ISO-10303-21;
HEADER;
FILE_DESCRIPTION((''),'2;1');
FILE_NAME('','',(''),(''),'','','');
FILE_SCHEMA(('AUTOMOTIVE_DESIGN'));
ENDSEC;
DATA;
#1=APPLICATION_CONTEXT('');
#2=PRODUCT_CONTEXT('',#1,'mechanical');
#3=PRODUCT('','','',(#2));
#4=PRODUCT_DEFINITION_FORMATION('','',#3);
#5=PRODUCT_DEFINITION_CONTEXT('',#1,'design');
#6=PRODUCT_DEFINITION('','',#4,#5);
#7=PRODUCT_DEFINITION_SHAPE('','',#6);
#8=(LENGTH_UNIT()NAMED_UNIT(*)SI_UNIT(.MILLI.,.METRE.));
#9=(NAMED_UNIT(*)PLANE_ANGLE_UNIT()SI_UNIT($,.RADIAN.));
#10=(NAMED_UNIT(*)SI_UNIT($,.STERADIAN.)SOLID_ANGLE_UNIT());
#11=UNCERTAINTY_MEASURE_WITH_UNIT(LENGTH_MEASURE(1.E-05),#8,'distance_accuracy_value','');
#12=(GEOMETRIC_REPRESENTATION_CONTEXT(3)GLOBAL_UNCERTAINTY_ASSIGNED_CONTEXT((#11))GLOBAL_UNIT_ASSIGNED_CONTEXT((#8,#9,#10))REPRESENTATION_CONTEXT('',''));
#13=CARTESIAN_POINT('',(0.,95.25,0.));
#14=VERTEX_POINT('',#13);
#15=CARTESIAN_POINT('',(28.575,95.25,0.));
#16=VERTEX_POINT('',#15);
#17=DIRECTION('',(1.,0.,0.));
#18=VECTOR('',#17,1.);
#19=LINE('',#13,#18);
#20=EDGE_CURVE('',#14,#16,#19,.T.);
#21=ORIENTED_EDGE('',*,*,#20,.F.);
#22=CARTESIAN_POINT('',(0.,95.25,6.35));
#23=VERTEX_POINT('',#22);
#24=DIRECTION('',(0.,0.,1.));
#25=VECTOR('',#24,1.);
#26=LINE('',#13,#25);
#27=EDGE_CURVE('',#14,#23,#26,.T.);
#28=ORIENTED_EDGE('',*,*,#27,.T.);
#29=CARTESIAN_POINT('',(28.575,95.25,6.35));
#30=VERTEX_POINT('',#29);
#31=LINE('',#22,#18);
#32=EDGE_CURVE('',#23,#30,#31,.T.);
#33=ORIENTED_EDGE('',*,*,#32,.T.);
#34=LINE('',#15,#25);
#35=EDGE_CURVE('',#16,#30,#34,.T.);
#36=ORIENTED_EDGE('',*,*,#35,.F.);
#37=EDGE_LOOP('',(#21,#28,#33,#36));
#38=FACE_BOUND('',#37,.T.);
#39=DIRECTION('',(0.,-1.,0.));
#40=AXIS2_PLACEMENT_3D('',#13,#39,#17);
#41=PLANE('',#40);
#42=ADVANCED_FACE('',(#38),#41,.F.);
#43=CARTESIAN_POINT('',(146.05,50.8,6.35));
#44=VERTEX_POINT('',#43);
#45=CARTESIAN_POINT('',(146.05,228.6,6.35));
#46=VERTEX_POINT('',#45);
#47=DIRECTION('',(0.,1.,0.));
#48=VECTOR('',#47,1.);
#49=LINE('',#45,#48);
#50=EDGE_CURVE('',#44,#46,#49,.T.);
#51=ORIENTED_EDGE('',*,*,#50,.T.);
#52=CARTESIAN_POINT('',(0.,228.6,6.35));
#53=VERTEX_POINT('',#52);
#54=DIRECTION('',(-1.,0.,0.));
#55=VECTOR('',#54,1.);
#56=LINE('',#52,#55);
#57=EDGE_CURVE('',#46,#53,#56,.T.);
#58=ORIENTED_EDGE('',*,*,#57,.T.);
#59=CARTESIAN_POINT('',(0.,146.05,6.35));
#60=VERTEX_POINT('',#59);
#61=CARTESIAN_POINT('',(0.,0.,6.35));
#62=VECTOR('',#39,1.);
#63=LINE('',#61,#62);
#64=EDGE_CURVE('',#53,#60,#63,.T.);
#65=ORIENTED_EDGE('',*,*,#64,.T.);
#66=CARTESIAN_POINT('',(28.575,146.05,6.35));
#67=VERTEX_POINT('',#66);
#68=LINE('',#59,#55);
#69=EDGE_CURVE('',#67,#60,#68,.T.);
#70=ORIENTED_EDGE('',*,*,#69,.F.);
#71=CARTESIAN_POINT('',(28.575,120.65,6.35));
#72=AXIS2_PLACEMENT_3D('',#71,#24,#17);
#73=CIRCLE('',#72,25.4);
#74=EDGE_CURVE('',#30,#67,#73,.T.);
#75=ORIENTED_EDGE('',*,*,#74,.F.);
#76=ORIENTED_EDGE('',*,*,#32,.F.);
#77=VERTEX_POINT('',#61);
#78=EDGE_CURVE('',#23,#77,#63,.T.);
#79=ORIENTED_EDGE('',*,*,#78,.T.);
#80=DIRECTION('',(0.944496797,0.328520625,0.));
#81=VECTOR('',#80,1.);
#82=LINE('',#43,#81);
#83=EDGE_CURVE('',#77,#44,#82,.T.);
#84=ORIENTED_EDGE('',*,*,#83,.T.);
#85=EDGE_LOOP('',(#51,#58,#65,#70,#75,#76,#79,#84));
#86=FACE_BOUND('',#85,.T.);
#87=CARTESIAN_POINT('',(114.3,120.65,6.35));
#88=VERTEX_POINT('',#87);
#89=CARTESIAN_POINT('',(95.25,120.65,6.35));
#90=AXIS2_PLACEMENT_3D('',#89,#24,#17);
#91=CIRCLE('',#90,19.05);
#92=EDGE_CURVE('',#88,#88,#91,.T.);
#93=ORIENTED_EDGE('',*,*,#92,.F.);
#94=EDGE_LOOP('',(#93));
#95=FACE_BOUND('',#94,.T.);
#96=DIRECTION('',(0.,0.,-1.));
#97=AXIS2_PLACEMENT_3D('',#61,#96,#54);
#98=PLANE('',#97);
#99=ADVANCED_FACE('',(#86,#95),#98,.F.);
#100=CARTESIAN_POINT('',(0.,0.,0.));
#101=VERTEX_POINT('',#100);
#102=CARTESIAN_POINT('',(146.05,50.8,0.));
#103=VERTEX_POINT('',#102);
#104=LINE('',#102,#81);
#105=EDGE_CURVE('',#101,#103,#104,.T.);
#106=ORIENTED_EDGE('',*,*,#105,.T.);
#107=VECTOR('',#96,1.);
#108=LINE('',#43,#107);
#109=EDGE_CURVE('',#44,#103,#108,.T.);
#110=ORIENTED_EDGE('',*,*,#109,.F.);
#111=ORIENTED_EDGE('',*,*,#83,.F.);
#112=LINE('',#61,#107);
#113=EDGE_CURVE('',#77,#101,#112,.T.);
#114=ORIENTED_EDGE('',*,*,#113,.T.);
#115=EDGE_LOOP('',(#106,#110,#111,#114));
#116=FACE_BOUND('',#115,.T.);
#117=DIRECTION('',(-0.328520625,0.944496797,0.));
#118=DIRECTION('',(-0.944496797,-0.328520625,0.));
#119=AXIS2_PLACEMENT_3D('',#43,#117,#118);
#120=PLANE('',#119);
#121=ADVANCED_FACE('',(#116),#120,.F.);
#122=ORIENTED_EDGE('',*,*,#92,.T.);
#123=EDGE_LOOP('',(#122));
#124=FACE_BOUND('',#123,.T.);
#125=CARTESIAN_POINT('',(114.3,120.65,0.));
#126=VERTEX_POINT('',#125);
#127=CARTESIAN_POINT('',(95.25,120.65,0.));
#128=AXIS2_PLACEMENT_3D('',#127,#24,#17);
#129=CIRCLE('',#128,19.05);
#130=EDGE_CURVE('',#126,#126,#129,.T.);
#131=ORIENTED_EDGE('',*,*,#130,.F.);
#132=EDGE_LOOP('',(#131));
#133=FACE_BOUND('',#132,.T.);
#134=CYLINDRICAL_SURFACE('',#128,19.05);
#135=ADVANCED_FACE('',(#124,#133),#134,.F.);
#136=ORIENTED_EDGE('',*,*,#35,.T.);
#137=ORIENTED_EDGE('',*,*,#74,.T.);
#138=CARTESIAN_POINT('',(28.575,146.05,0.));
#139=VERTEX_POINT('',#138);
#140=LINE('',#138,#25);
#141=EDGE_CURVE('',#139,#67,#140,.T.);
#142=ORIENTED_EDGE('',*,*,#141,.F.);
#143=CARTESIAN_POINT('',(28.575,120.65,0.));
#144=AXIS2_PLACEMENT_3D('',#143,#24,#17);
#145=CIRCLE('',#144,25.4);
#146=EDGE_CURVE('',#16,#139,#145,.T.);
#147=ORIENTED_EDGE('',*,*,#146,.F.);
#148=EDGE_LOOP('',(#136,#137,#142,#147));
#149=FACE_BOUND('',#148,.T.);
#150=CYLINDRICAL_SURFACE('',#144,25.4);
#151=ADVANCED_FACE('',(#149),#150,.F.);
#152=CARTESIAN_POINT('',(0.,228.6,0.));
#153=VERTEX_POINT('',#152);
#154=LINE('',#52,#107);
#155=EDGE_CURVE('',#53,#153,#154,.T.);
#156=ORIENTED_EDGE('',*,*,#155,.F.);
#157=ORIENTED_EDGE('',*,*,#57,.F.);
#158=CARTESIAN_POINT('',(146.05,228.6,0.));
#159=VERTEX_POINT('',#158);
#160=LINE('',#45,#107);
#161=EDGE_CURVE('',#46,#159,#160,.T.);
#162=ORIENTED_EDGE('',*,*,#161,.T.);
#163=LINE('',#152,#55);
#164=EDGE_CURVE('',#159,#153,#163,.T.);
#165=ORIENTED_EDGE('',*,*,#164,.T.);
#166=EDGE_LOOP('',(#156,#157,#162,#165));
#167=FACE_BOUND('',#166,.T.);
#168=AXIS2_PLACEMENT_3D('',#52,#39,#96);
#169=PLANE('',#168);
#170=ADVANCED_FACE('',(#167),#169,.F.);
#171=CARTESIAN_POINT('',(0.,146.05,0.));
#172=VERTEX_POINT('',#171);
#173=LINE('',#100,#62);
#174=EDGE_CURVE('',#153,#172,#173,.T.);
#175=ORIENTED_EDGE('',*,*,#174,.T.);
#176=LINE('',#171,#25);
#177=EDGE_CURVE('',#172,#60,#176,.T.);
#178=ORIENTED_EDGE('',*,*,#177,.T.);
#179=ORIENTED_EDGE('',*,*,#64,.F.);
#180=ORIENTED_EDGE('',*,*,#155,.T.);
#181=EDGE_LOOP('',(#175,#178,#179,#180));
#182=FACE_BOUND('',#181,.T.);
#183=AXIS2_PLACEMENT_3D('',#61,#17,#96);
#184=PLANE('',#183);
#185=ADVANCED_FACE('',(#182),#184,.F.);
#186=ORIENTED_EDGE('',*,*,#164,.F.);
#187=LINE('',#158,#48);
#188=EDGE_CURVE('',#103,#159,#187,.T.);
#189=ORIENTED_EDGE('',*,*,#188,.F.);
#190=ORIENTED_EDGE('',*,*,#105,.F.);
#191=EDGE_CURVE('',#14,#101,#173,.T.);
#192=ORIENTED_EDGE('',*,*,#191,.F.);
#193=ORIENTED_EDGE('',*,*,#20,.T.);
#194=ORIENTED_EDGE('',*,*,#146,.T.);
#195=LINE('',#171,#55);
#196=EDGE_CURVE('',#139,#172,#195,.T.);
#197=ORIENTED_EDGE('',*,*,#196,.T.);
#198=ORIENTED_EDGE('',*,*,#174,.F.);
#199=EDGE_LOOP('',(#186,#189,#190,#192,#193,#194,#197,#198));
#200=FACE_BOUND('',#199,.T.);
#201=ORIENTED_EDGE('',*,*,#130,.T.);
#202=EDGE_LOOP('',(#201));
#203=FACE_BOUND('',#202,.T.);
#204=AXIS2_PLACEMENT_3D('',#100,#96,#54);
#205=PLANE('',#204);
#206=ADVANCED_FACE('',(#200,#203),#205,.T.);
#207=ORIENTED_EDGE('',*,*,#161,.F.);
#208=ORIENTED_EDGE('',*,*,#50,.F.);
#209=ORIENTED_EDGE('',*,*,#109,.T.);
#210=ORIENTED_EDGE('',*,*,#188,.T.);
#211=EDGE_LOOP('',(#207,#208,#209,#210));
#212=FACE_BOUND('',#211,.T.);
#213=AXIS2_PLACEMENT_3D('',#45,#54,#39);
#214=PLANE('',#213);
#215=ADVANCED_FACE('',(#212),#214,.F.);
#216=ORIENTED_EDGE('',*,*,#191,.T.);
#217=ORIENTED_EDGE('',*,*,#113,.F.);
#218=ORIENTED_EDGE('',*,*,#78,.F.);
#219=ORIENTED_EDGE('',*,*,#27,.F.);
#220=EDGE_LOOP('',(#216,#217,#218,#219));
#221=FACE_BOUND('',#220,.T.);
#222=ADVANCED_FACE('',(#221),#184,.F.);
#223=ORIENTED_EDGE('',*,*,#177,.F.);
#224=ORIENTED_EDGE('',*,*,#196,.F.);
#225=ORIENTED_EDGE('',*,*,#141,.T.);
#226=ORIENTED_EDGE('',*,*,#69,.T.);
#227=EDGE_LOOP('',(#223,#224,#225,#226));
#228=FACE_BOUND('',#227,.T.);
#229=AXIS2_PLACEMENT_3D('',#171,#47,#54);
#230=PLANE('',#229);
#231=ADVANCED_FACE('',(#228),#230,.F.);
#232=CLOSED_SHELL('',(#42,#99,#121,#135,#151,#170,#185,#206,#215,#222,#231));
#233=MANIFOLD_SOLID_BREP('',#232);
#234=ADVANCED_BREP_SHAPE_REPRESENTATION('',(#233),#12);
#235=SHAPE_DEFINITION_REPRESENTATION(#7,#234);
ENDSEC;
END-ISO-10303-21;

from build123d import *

# Parameters (mm, degrees)
BOSS_EXTRUDE1_DEPTH = 6.35
SKETCH2_R           = 19.05
CUT_EXTRUDE1_DEPTH  = 7.35


with BuildPart() as part:
    # Sketch1 → Boss-Extrude1 (new body)
    with BuildSketch(Plane.XY):
        Polygon((0, 0), (0, 228.6), (146.05, 228.6), (146.05, 50.8), align=None)
    extrude(amount=BOSS_EXTRUDE1_DEPTH)

    # Sketch2 → Cut-Extrude1 (cut, through all)
    with BuildSketch(Plane.XY.offset(6.35)):
        with Locations((95.25, 120.65)):
            Circle(SKETCH2_R)
        with BuildLine():
            Line((0, 146.05), (28.575, 146.05))
            ThreePointArc((28.575, 146.05), (53.975, 120.65), (28.575, 95.25))
            Line((28.575, 95.25), (0, 95.25))
            ThreePointArc((0, 95.25), (-25.4, 120.65), (0, 146.05))
        make_face()
    extrude(amount=-CUT_EXTRUDE1_DEPTH, mode=Mode.SUBTRACT)


solid = part.part
